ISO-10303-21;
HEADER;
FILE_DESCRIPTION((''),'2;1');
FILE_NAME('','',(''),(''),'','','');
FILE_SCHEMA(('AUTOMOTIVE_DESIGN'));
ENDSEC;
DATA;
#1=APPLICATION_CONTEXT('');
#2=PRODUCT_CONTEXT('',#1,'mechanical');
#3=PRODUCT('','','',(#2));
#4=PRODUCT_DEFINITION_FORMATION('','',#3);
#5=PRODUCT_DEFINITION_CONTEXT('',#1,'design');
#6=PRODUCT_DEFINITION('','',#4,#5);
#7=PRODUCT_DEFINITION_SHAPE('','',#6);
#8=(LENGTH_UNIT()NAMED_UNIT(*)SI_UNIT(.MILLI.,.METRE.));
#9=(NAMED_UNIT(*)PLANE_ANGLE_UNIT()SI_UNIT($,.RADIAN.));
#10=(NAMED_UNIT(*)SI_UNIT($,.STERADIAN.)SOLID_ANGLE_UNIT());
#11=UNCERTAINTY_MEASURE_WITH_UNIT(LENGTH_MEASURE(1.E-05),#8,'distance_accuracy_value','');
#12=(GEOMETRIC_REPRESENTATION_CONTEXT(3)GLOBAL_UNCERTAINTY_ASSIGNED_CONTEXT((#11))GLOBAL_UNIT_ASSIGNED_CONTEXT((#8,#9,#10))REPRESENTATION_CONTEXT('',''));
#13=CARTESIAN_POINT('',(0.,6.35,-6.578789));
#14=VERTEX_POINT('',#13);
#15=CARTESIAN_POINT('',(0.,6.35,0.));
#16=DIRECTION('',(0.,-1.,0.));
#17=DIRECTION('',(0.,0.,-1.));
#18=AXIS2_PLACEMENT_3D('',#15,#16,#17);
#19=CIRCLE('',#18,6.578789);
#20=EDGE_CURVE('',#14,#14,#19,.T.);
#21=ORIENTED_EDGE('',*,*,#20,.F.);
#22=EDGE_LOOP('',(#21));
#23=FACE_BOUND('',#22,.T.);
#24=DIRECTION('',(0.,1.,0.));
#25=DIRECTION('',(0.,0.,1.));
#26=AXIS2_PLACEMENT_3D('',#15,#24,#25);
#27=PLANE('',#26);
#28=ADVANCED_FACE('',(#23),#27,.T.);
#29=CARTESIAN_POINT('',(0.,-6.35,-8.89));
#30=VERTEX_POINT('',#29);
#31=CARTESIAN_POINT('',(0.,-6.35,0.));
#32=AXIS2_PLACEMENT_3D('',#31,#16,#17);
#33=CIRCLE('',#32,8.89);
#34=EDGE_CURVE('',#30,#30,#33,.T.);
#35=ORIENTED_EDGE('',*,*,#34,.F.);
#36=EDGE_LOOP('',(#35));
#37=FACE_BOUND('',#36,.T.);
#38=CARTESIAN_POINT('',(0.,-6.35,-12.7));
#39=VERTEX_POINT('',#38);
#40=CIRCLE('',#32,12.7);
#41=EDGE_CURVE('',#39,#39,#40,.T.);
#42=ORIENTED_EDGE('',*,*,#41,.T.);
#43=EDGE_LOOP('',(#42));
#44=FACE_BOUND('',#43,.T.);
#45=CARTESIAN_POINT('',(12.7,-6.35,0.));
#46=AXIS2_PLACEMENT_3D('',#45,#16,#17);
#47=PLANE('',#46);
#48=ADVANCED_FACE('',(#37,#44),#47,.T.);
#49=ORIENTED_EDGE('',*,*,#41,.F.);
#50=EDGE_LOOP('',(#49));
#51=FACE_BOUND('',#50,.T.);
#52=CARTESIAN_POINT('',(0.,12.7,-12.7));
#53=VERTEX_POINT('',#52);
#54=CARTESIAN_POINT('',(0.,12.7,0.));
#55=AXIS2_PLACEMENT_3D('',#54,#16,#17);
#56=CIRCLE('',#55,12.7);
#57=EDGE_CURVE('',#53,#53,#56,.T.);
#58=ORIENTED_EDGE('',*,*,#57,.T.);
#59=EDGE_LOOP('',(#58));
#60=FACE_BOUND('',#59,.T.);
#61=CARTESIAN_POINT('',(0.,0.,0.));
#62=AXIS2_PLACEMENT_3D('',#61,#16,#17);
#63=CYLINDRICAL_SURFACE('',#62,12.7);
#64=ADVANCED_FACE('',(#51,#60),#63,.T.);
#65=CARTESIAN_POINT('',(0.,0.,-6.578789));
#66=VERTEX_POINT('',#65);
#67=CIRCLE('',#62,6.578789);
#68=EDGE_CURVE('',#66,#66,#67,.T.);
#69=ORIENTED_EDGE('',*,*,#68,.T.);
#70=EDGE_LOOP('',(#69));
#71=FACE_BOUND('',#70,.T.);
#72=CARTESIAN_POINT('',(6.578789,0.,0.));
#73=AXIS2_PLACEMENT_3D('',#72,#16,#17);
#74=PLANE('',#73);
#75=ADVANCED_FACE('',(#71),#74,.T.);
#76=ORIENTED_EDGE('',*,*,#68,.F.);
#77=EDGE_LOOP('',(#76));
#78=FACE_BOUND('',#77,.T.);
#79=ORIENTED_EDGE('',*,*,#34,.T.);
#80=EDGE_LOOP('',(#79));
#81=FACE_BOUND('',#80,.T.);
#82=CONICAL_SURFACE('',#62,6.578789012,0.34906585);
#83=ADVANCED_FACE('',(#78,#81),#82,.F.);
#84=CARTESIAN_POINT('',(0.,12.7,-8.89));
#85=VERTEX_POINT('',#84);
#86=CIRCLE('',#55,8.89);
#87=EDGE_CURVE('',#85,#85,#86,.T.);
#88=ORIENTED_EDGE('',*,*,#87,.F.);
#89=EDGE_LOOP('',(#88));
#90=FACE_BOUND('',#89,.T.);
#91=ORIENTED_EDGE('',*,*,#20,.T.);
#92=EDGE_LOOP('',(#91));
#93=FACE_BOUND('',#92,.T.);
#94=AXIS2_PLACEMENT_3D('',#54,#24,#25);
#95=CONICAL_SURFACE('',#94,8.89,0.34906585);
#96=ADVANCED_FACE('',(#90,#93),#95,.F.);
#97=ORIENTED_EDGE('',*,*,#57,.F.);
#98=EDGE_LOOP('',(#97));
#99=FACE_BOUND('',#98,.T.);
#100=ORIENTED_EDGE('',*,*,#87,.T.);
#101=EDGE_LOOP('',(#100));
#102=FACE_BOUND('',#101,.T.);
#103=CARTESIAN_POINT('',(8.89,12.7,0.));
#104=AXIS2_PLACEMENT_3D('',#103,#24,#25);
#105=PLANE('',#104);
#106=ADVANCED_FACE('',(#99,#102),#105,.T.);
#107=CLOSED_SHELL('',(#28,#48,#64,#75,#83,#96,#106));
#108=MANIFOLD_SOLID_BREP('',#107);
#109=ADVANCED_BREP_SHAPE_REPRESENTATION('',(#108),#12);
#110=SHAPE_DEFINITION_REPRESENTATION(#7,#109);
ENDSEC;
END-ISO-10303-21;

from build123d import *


with BuildPart() as part:
    # Sketch1 → Revolve1 (revolve)
    with BuildSketch(Plane.XY, mode=Mode.PRIVATE) as revolve1_sk:
        Polygon((0, 0), (0, 6.35), (6.578789012, 6.35), (8.89, 12.7), (12.7, 12.7), (12.7, -6.35), (8.89, -6.35), (6.578789012, 0), align=None)
    revolve(revolve1_sk.sketch.rotate(Axis((0, 0, 0), (0, 1, 0)), 90), axis=Axis((0, 0, 0), (0, 1, 0)))


solid = part.part
